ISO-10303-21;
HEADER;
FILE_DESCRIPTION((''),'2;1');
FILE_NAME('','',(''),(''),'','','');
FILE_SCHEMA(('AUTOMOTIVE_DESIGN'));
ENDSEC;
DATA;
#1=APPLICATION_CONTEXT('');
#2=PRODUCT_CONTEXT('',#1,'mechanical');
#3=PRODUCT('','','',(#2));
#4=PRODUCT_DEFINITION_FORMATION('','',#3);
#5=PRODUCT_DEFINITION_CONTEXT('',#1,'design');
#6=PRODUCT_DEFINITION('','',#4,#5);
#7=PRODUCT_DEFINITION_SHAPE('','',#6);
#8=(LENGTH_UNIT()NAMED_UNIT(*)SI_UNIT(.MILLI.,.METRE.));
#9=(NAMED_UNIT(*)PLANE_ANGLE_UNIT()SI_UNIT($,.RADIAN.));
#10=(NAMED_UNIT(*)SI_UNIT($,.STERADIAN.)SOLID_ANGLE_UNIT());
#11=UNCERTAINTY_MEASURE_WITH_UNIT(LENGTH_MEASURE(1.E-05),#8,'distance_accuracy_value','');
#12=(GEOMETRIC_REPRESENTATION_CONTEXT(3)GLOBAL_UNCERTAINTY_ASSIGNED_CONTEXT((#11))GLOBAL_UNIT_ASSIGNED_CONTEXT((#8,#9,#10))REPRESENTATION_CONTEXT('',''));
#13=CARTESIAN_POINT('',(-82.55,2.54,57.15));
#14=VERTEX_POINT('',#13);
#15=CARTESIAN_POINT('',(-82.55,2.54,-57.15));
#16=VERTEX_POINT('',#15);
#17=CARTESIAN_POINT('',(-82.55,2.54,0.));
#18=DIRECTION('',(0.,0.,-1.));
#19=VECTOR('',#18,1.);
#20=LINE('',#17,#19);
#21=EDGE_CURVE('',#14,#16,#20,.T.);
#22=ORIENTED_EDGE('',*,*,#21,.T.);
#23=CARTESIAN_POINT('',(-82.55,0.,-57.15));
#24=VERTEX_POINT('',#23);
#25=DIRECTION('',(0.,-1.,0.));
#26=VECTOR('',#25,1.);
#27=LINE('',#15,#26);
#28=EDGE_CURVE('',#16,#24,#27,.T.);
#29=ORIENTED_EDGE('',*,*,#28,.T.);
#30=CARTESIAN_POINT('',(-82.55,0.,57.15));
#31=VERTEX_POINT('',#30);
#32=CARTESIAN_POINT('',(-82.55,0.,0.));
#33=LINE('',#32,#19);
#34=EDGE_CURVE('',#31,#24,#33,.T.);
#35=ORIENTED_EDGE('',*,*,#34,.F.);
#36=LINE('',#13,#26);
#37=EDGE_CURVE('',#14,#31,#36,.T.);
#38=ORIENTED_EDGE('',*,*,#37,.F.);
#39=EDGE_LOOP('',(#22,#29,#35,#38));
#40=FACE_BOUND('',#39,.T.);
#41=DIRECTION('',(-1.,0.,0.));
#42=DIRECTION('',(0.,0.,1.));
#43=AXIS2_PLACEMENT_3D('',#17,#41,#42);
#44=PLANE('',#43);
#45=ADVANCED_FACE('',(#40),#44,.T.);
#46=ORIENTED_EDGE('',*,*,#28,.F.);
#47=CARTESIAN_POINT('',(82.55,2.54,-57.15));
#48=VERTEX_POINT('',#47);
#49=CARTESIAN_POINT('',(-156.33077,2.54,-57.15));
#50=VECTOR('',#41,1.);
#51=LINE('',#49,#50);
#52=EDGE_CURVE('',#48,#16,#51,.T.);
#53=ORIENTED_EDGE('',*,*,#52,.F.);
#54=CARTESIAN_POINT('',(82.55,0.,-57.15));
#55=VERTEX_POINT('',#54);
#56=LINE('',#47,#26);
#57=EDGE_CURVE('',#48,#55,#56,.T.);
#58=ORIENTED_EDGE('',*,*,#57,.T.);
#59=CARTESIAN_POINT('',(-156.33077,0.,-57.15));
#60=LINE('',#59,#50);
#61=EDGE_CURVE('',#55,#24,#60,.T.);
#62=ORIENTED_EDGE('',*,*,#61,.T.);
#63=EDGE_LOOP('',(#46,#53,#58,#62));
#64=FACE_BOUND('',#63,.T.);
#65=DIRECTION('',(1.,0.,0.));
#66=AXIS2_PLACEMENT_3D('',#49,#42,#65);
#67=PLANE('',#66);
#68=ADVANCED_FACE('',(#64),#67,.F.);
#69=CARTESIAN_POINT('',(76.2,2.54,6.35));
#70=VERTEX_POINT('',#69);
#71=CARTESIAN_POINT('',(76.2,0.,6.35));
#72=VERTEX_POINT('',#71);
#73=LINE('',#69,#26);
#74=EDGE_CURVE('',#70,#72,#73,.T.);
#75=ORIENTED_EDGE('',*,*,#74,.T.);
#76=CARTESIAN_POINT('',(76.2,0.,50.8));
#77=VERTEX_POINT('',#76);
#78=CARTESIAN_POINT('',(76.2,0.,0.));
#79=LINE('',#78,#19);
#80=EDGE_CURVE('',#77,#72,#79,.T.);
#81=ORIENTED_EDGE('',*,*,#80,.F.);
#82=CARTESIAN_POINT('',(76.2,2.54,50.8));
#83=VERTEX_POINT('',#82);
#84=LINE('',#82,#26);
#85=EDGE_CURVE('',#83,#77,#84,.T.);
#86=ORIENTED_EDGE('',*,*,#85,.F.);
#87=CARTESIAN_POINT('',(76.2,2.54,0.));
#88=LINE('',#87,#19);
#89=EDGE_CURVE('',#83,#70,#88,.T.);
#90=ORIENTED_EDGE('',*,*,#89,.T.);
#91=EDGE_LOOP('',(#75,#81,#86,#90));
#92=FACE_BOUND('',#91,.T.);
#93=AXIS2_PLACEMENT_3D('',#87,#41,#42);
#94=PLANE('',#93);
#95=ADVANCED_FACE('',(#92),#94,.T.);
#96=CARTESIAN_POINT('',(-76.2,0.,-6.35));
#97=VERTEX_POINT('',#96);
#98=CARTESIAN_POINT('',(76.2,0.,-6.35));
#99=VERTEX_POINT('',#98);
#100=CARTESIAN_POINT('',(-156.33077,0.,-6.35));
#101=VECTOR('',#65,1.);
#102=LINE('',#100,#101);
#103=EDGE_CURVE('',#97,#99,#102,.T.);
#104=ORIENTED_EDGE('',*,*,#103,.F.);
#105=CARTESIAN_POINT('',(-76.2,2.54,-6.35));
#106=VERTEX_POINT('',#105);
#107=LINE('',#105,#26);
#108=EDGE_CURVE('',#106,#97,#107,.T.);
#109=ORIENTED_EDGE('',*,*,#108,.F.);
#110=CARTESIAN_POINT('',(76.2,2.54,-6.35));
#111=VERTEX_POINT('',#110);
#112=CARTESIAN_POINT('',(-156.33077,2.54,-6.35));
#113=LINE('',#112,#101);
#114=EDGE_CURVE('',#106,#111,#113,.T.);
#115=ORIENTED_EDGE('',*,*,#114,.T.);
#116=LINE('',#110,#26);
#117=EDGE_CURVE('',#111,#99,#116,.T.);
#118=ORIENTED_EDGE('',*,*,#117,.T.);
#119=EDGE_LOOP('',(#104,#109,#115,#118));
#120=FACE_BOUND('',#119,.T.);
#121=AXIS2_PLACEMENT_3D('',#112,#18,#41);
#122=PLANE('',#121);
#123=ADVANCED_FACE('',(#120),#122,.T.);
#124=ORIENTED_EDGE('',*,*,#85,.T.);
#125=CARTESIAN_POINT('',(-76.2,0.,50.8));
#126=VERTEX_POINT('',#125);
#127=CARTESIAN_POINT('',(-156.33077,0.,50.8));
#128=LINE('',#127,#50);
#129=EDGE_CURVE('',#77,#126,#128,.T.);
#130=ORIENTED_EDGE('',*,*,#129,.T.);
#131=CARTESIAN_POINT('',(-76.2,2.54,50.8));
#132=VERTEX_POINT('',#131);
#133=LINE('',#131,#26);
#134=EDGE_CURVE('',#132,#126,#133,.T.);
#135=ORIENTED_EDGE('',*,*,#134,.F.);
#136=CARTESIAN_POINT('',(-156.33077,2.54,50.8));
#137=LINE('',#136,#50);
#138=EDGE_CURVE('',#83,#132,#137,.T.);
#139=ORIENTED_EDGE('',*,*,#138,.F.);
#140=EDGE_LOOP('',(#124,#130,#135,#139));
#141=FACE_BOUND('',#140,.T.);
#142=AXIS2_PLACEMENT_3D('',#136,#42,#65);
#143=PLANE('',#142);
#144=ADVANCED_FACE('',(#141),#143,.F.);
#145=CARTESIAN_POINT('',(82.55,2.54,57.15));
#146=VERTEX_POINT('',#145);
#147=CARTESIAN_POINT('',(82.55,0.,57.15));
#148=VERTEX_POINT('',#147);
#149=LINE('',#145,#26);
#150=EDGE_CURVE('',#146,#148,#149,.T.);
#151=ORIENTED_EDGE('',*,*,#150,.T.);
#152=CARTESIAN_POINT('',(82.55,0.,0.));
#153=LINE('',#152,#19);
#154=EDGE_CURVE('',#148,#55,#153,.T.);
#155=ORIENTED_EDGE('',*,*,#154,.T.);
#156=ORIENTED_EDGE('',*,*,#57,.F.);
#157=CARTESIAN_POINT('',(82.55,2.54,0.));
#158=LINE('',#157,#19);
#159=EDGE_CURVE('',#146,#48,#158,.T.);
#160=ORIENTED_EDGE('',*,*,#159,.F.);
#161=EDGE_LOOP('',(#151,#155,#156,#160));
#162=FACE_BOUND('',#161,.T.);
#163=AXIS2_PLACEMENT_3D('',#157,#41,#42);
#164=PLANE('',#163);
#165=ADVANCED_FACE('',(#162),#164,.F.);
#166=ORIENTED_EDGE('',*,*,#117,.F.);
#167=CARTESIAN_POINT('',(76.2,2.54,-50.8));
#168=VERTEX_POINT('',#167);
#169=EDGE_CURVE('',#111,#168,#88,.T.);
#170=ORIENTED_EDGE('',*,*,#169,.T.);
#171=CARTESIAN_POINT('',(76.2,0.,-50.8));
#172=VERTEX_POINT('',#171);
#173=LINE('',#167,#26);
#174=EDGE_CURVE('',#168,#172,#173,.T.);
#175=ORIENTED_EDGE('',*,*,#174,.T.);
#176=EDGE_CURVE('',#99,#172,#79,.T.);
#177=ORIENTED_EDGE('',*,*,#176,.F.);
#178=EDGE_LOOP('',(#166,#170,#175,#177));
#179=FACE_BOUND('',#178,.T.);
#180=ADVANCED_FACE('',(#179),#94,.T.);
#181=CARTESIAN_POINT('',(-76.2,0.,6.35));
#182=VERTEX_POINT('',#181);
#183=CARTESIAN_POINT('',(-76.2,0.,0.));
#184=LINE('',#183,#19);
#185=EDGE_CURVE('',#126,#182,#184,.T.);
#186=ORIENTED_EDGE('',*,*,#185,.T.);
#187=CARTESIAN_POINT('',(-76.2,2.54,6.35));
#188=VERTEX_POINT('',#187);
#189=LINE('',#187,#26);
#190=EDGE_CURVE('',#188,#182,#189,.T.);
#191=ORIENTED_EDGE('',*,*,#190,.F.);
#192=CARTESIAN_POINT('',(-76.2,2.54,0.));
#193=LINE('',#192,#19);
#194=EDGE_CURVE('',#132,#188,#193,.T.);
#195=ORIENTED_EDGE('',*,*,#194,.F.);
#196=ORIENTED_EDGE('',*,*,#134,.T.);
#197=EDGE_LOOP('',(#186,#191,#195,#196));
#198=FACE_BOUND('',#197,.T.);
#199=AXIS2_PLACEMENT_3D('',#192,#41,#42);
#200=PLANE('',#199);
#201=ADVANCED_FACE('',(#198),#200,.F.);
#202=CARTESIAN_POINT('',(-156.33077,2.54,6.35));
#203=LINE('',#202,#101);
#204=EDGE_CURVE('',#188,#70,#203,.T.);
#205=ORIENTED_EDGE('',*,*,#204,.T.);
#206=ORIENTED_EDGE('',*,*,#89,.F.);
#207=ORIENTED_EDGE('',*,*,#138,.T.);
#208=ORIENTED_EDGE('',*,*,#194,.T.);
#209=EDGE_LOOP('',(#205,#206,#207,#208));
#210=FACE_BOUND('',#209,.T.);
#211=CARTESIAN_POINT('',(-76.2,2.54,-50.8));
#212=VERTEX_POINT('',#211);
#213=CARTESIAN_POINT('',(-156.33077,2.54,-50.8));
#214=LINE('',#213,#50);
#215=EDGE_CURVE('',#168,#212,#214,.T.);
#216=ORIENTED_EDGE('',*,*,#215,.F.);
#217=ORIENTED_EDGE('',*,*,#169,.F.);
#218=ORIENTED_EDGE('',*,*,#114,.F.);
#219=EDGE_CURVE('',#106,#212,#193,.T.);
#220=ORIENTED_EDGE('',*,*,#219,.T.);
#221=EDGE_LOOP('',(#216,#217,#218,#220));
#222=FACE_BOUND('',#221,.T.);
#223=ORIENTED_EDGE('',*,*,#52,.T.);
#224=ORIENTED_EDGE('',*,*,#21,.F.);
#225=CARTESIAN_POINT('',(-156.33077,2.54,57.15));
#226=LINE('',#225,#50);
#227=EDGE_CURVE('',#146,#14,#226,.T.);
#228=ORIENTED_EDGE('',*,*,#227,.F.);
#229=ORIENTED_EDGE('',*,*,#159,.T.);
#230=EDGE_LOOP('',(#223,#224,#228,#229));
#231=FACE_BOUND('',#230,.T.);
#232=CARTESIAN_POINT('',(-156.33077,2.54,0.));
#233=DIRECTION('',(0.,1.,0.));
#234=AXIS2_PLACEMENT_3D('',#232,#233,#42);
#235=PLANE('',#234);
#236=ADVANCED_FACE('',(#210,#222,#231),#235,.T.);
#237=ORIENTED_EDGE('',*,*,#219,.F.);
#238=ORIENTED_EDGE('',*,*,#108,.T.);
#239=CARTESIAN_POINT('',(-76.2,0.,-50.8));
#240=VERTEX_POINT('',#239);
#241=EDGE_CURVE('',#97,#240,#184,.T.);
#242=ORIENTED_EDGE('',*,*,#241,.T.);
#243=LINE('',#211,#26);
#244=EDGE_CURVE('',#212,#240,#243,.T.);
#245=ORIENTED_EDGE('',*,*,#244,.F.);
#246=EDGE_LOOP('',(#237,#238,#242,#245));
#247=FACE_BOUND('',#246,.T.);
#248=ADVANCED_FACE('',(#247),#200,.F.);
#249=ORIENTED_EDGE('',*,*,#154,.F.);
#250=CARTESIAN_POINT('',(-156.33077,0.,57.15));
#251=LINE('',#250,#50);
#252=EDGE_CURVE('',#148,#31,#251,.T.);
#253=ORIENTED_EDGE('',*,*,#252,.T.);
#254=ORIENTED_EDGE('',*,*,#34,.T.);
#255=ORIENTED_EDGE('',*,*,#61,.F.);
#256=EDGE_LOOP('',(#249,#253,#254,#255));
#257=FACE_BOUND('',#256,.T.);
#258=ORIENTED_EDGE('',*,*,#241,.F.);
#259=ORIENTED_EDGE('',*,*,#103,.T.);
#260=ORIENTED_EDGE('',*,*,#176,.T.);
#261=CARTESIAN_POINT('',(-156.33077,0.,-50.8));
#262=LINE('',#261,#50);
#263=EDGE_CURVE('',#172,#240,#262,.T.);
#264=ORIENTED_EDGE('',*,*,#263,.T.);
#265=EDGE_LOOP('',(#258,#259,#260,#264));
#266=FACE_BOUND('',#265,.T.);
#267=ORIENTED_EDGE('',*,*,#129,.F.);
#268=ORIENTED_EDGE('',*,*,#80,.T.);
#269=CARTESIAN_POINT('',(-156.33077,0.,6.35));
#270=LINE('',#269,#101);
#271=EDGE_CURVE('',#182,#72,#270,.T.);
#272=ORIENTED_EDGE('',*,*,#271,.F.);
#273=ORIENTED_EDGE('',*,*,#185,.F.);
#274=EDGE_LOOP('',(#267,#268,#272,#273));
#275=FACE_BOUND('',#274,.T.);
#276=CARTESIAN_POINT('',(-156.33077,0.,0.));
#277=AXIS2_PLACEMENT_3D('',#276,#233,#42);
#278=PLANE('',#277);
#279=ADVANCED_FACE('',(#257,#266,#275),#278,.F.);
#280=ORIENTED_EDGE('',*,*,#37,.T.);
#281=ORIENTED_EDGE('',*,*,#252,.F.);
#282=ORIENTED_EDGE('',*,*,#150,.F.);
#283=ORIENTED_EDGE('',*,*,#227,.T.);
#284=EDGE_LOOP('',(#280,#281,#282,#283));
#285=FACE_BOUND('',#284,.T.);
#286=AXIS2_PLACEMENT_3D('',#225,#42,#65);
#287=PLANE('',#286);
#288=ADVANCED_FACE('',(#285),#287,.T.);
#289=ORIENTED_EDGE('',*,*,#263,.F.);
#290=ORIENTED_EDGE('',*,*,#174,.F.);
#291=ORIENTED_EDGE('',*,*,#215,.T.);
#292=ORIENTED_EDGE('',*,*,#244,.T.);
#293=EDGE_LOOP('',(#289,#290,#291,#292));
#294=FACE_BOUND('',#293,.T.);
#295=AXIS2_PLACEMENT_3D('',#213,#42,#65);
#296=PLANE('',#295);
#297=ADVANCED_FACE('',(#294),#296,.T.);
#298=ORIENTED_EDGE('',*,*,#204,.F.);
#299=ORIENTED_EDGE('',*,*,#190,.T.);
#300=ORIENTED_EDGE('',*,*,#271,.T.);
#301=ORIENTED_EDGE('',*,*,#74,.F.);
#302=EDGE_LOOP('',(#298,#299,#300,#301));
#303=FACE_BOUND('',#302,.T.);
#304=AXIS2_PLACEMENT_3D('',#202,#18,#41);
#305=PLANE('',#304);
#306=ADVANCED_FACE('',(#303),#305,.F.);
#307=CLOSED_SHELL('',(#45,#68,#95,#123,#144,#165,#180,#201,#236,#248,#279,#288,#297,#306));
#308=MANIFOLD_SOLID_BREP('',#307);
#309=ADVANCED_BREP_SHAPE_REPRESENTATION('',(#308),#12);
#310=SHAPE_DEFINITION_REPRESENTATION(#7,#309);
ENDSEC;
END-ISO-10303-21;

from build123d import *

# Parameters (mm, degrees)
SKETCH1_W           = 165.1
SKETCH1_H           = 114.3
SKETCH1_W_2         = 152.4
SKETCH1_H_2         = 101.6
SKETCH1_H_3         = 12.7
BOSS_EXTRUDE1_DEPTH = 2.54


with BuildPart() as part:
    # Sketch1 → Boss-Extrude1 (new body)
    with BuildSketch(Plane(origin=(0, 0, 0), x_dir=(1, 0, 0), z_dir=(0, 1, 0))):
        Rectangle(SKETCH1_W, SKETCH1_H)
        Rectangle(SKETCH1_W_2, SKETCH1_H_2, mode=Mode.SUBTRACT)
        Rectangle(SKETCH1_W_2, SKETCH1_H_3)
    extrude(amount=BOSS_EXTRUDE1_DEPTH)


solid = part.part
